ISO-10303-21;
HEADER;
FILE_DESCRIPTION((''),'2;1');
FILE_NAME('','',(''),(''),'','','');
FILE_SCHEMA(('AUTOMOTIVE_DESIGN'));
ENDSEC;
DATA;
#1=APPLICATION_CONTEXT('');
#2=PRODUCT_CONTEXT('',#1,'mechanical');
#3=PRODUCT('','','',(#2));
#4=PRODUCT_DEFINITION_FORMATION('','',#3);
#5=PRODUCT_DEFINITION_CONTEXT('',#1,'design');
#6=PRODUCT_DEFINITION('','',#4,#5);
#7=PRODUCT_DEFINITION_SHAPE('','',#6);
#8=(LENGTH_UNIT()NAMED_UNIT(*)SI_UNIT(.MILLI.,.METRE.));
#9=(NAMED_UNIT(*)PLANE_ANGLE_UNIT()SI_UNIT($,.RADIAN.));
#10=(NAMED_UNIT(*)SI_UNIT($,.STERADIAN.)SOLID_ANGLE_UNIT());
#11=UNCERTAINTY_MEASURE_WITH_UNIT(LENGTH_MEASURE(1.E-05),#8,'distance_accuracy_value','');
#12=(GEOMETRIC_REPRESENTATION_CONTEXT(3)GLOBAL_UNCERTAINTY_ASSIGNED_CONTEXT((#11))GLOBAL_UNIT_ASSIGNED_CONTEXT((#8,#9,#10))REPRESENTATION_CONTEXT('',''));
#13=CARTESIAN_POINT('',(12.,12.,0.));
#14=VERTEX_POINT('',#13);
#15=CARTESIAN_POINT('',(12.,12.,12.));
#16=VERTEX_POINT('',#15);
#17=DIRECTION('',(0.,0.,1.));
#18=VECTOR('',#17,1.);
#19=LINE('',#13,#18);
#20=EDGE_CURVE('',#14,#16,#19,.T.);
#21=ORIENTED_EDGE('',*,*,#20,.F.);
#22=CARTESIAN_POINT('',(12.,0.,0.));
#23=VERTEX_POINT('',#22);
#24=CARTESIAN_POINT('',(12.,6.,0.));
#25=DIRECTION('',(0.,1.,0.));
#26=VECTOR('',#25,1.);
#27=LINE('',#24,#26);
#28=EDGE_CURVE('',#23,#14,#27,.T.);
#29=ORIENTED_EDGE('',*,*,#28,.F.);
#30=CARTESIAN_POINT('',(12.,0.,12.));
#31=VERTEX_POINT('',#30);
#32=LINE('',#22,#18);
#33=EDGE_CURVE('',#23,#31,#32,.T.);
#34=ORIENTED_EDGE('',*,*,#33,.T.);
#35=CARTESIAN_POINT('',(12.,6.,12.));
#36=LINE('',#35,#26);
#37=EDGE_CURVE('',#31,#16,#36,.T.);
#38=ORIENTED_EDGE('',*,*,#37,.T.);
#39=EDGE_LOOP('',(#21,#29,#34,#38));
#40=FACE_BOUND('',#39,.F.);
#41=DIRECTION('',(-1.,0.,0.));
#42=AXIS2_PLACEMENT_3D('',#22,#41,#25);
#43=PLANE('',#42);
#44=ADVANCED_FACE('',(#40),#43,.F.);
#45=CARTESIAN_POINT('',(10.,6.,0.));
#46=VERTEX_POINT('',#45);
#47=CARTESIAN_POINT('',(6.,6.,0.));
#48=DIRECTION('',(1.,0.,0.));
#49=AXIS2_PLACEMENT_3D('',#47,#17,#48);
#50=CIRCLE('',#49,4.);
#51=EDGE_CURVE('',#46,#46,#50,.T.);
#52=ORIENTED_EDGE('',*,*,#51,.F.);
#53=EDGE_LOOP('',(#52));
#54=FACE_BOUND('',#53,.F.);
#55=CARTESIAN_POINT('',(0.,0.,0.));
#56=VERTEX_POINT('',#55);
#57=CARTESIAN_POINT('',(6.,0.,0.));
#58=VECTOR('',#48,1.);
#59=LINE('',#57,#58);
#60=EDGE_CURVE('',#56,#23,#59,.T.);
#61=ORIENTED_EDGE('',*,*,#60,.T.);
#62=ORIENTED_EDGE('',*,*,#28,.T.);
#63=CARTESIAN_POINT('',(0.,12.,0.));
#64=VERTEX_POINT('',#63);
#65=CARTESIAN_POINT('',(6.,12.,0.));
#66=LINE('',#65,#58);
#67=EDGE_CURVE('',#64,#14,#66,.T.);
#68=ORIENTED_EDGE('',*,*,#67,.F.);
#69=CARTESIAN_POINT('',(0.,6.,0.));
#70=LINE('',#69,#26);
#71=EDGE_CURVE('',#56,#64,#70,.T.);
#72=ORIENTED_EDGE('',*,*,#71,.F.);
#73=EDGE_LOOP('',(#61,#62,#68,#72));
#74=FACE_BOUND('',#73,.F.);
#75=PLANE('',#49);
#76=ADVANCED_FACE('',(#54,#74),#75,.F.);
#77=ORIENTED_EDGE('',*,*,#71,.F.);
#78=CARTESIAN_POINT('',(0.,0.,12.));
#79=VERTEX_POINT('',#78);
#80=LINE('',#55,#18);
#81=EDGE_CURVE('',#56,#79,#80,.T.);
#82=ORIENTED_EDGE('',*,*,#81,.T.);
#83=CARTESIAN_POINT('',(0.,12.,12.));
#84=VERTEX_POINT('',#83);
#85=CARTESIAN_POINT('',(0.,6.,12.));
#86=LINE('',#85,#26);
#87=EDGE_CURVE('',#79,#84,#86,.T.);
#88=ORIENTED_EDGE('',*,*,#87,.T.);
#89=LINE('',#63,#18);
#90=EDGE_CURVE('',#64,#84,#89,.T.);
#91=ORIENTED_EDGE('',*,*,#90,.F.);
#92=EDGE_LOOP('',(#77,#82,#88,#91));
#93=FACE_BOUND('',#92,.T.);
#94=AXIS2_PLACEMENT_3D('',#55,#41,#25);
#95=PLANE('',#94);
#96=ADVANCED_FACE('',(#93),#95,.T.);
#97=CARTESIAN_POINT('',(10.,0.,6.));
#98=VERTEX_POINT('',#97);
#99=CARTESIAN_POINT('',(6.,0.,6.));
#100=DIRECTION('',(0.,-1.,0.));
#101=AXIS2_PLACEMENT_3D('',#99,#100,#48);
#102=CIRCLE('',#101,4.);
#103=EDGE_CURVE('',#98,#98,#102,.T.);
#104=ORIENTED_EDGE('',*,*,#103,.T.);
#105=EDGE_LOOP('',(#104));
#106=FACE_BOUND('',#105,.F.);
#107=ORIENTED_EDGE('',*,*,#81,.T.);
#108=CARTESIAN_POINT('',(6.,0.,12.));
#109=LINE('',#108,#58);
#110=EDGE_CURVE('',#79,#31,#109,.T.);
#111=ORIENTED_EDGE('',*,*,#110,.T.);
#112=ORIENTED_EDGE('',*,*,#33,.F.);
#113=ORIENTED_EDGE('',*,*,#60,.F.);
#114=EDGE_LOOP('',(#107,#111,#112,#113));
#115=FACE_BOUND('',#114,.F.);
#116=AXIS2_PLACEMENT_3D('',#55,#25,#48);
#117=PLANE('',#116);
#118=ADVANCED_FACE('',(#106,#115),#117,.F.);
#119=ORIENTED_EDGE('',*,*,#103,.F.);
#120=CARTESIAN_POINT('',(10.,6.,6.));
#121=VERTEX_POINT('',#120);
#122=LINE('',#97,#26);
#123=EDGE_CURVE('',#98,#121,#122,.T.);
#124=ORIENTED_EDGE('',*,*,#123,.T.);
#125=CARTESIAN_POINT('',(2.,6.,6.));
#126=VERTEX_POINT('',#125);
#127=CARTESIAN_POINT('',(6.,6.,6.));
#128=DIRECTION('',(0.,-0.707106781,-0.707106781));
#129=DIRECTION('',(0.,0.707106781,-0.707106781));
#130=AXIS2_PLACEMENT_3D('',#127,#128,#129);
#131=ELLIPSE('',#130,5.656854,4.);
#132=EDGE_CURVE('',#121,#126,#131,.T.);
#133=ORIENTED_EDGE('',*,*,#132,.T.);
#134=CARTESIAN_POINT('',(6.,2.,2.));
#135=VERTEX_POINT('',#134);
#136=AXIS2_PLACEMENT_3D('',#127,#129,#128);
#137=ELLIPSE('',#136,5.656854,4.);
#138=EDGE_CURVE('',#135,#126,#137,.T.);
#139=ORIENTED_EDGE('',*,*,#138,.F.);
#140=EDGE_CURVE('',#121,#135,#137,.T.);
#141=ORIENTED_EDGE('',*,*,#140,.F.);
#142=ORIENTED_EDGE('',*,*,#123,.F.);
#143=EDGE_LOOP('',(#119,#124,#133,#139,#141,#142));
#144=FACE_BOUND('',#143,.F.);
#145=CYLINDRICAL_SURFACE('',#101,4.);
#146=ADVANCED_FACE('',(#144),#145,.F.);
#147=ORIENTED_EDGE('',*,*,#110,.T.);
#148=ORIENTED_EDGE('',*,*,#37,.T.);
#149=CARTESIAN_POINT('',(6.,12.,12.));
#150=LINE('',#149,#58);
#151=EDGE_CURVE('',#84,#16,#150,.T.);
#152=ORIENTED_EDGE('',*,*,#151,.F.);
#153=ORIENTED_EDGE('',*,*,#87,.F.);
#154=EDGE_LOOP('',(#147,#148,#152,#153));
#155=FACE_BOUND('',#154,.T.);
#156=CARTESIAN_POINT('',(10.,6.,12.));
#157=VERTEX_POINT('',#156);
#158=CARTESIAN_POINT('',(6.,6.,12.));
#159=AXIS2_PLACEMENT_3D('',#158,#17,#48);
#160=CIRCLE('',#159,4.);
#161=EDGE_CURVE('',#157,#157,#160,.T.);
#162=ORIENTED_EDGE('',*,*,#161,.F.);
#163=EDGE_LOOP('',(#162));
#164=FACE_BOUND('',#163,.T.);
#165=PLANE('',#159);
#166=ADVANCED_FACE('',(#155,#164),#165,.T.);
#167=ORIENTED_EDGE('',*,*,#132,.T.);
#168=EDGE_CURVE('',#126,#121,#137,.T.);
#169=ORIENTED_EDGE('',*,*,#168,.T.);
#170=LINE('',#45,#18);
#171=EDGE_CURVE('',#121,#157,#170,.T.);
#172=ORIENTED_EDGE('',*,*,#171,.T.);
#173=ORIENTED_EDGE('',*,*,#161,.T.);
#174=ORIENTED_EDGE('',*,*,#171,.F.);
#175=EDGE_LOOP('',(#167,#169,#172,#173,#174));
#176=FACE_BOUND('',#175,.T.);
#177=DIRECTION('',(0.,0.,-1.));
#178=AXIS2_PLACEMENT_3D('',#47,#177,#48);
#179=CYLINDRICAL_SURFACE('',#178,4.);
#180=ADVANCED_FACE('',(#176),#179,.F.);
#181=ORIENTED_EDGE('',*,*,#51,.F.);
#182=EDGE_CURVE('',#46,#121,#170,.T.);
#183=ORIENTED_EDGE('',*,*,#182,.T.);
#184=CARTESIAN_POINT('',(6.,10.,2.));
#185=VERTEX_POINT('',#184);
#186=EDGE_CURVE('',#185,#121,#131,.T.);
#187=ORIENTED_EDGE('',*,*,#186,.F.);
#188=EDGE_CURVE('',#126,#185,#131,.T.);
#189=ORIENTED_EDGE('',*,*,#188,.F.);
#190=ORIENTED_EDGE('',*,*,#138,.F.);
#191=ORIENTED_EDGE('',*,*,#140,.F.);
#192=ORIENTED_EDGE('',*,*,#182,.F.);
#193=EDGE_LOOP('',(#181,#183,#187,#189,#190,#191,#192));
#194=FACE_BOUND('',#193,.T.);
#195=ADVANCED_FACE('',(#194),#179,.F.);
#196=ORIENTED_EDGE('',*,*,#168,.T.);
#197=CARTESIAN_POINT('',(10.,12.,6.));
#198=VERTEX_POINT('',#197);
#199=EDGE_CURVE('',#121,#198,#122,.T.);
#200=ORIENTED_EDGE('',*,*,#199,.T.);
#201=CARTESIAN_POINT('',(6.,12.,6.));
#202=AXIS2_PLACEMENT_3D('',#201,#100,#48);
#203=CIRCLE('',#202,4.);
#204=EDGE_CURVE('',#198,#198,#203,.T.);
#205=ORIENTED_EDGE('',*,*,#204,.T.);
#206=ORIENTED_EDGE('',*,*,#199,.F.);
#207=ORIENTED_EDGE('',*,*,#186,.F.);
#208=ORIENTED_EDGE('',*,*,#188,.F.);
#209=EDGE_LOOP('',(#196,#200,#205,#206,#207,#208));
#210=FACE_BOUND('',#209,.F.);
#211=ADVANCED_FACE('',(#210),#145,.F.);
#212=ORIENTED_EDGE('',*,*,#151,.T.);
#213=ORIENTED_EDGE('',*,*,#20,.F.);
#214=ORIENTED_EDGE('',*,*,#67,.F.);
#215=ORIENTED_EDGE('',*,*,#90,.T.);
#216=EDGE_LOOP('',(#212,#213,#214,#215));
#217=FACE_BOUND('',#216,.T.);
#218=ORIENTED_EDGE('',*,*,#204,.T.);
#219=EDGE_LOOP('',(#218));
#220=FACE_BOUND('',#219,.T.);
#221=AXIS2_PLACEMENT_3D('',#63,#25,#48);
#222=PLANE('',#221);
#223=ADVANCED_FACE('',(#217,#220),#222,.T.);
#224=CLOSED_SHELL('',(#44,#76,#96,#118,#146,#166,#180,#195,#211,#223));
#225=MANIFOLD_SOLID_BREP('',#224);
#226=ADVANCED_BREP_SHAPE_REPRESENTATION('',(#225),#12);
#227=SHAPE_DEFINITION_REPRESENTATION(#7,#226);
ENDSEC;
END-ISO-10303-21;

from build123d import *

# Parameters (mm, degrees)
SKETCH_W     = 12
SKETCH_H     = 12
SKETCH_R     = 4
PAD_DEPTH    = 12
SKETCH001_R  = 4
POCKET_DEPTH = 12.001


with BuildPart() as part:
    # Sketch → Pad (new body)
    with BuildSketch(Plane.XY):
        with Locations((6, 6)):
            Rectangle(SKETCH_W, SKETCH_H)
        with Locations((6, 6)):
            Circle(SKETCH_R, mode=Mode.SUBTRACT)
    extrude(amount=PAD_DEPTH)

    # Sketch001 (on Face1 of Pad) → Pocket (cut, through all)
    with BuildSketch(Plane.XZ):
        with Locations((6, 6)):
            Circle(SKETCH001_R)
    extrude(amount=-POCKET_DEPTH, mode=Mode.SUBTRACT)


solid = part.part
